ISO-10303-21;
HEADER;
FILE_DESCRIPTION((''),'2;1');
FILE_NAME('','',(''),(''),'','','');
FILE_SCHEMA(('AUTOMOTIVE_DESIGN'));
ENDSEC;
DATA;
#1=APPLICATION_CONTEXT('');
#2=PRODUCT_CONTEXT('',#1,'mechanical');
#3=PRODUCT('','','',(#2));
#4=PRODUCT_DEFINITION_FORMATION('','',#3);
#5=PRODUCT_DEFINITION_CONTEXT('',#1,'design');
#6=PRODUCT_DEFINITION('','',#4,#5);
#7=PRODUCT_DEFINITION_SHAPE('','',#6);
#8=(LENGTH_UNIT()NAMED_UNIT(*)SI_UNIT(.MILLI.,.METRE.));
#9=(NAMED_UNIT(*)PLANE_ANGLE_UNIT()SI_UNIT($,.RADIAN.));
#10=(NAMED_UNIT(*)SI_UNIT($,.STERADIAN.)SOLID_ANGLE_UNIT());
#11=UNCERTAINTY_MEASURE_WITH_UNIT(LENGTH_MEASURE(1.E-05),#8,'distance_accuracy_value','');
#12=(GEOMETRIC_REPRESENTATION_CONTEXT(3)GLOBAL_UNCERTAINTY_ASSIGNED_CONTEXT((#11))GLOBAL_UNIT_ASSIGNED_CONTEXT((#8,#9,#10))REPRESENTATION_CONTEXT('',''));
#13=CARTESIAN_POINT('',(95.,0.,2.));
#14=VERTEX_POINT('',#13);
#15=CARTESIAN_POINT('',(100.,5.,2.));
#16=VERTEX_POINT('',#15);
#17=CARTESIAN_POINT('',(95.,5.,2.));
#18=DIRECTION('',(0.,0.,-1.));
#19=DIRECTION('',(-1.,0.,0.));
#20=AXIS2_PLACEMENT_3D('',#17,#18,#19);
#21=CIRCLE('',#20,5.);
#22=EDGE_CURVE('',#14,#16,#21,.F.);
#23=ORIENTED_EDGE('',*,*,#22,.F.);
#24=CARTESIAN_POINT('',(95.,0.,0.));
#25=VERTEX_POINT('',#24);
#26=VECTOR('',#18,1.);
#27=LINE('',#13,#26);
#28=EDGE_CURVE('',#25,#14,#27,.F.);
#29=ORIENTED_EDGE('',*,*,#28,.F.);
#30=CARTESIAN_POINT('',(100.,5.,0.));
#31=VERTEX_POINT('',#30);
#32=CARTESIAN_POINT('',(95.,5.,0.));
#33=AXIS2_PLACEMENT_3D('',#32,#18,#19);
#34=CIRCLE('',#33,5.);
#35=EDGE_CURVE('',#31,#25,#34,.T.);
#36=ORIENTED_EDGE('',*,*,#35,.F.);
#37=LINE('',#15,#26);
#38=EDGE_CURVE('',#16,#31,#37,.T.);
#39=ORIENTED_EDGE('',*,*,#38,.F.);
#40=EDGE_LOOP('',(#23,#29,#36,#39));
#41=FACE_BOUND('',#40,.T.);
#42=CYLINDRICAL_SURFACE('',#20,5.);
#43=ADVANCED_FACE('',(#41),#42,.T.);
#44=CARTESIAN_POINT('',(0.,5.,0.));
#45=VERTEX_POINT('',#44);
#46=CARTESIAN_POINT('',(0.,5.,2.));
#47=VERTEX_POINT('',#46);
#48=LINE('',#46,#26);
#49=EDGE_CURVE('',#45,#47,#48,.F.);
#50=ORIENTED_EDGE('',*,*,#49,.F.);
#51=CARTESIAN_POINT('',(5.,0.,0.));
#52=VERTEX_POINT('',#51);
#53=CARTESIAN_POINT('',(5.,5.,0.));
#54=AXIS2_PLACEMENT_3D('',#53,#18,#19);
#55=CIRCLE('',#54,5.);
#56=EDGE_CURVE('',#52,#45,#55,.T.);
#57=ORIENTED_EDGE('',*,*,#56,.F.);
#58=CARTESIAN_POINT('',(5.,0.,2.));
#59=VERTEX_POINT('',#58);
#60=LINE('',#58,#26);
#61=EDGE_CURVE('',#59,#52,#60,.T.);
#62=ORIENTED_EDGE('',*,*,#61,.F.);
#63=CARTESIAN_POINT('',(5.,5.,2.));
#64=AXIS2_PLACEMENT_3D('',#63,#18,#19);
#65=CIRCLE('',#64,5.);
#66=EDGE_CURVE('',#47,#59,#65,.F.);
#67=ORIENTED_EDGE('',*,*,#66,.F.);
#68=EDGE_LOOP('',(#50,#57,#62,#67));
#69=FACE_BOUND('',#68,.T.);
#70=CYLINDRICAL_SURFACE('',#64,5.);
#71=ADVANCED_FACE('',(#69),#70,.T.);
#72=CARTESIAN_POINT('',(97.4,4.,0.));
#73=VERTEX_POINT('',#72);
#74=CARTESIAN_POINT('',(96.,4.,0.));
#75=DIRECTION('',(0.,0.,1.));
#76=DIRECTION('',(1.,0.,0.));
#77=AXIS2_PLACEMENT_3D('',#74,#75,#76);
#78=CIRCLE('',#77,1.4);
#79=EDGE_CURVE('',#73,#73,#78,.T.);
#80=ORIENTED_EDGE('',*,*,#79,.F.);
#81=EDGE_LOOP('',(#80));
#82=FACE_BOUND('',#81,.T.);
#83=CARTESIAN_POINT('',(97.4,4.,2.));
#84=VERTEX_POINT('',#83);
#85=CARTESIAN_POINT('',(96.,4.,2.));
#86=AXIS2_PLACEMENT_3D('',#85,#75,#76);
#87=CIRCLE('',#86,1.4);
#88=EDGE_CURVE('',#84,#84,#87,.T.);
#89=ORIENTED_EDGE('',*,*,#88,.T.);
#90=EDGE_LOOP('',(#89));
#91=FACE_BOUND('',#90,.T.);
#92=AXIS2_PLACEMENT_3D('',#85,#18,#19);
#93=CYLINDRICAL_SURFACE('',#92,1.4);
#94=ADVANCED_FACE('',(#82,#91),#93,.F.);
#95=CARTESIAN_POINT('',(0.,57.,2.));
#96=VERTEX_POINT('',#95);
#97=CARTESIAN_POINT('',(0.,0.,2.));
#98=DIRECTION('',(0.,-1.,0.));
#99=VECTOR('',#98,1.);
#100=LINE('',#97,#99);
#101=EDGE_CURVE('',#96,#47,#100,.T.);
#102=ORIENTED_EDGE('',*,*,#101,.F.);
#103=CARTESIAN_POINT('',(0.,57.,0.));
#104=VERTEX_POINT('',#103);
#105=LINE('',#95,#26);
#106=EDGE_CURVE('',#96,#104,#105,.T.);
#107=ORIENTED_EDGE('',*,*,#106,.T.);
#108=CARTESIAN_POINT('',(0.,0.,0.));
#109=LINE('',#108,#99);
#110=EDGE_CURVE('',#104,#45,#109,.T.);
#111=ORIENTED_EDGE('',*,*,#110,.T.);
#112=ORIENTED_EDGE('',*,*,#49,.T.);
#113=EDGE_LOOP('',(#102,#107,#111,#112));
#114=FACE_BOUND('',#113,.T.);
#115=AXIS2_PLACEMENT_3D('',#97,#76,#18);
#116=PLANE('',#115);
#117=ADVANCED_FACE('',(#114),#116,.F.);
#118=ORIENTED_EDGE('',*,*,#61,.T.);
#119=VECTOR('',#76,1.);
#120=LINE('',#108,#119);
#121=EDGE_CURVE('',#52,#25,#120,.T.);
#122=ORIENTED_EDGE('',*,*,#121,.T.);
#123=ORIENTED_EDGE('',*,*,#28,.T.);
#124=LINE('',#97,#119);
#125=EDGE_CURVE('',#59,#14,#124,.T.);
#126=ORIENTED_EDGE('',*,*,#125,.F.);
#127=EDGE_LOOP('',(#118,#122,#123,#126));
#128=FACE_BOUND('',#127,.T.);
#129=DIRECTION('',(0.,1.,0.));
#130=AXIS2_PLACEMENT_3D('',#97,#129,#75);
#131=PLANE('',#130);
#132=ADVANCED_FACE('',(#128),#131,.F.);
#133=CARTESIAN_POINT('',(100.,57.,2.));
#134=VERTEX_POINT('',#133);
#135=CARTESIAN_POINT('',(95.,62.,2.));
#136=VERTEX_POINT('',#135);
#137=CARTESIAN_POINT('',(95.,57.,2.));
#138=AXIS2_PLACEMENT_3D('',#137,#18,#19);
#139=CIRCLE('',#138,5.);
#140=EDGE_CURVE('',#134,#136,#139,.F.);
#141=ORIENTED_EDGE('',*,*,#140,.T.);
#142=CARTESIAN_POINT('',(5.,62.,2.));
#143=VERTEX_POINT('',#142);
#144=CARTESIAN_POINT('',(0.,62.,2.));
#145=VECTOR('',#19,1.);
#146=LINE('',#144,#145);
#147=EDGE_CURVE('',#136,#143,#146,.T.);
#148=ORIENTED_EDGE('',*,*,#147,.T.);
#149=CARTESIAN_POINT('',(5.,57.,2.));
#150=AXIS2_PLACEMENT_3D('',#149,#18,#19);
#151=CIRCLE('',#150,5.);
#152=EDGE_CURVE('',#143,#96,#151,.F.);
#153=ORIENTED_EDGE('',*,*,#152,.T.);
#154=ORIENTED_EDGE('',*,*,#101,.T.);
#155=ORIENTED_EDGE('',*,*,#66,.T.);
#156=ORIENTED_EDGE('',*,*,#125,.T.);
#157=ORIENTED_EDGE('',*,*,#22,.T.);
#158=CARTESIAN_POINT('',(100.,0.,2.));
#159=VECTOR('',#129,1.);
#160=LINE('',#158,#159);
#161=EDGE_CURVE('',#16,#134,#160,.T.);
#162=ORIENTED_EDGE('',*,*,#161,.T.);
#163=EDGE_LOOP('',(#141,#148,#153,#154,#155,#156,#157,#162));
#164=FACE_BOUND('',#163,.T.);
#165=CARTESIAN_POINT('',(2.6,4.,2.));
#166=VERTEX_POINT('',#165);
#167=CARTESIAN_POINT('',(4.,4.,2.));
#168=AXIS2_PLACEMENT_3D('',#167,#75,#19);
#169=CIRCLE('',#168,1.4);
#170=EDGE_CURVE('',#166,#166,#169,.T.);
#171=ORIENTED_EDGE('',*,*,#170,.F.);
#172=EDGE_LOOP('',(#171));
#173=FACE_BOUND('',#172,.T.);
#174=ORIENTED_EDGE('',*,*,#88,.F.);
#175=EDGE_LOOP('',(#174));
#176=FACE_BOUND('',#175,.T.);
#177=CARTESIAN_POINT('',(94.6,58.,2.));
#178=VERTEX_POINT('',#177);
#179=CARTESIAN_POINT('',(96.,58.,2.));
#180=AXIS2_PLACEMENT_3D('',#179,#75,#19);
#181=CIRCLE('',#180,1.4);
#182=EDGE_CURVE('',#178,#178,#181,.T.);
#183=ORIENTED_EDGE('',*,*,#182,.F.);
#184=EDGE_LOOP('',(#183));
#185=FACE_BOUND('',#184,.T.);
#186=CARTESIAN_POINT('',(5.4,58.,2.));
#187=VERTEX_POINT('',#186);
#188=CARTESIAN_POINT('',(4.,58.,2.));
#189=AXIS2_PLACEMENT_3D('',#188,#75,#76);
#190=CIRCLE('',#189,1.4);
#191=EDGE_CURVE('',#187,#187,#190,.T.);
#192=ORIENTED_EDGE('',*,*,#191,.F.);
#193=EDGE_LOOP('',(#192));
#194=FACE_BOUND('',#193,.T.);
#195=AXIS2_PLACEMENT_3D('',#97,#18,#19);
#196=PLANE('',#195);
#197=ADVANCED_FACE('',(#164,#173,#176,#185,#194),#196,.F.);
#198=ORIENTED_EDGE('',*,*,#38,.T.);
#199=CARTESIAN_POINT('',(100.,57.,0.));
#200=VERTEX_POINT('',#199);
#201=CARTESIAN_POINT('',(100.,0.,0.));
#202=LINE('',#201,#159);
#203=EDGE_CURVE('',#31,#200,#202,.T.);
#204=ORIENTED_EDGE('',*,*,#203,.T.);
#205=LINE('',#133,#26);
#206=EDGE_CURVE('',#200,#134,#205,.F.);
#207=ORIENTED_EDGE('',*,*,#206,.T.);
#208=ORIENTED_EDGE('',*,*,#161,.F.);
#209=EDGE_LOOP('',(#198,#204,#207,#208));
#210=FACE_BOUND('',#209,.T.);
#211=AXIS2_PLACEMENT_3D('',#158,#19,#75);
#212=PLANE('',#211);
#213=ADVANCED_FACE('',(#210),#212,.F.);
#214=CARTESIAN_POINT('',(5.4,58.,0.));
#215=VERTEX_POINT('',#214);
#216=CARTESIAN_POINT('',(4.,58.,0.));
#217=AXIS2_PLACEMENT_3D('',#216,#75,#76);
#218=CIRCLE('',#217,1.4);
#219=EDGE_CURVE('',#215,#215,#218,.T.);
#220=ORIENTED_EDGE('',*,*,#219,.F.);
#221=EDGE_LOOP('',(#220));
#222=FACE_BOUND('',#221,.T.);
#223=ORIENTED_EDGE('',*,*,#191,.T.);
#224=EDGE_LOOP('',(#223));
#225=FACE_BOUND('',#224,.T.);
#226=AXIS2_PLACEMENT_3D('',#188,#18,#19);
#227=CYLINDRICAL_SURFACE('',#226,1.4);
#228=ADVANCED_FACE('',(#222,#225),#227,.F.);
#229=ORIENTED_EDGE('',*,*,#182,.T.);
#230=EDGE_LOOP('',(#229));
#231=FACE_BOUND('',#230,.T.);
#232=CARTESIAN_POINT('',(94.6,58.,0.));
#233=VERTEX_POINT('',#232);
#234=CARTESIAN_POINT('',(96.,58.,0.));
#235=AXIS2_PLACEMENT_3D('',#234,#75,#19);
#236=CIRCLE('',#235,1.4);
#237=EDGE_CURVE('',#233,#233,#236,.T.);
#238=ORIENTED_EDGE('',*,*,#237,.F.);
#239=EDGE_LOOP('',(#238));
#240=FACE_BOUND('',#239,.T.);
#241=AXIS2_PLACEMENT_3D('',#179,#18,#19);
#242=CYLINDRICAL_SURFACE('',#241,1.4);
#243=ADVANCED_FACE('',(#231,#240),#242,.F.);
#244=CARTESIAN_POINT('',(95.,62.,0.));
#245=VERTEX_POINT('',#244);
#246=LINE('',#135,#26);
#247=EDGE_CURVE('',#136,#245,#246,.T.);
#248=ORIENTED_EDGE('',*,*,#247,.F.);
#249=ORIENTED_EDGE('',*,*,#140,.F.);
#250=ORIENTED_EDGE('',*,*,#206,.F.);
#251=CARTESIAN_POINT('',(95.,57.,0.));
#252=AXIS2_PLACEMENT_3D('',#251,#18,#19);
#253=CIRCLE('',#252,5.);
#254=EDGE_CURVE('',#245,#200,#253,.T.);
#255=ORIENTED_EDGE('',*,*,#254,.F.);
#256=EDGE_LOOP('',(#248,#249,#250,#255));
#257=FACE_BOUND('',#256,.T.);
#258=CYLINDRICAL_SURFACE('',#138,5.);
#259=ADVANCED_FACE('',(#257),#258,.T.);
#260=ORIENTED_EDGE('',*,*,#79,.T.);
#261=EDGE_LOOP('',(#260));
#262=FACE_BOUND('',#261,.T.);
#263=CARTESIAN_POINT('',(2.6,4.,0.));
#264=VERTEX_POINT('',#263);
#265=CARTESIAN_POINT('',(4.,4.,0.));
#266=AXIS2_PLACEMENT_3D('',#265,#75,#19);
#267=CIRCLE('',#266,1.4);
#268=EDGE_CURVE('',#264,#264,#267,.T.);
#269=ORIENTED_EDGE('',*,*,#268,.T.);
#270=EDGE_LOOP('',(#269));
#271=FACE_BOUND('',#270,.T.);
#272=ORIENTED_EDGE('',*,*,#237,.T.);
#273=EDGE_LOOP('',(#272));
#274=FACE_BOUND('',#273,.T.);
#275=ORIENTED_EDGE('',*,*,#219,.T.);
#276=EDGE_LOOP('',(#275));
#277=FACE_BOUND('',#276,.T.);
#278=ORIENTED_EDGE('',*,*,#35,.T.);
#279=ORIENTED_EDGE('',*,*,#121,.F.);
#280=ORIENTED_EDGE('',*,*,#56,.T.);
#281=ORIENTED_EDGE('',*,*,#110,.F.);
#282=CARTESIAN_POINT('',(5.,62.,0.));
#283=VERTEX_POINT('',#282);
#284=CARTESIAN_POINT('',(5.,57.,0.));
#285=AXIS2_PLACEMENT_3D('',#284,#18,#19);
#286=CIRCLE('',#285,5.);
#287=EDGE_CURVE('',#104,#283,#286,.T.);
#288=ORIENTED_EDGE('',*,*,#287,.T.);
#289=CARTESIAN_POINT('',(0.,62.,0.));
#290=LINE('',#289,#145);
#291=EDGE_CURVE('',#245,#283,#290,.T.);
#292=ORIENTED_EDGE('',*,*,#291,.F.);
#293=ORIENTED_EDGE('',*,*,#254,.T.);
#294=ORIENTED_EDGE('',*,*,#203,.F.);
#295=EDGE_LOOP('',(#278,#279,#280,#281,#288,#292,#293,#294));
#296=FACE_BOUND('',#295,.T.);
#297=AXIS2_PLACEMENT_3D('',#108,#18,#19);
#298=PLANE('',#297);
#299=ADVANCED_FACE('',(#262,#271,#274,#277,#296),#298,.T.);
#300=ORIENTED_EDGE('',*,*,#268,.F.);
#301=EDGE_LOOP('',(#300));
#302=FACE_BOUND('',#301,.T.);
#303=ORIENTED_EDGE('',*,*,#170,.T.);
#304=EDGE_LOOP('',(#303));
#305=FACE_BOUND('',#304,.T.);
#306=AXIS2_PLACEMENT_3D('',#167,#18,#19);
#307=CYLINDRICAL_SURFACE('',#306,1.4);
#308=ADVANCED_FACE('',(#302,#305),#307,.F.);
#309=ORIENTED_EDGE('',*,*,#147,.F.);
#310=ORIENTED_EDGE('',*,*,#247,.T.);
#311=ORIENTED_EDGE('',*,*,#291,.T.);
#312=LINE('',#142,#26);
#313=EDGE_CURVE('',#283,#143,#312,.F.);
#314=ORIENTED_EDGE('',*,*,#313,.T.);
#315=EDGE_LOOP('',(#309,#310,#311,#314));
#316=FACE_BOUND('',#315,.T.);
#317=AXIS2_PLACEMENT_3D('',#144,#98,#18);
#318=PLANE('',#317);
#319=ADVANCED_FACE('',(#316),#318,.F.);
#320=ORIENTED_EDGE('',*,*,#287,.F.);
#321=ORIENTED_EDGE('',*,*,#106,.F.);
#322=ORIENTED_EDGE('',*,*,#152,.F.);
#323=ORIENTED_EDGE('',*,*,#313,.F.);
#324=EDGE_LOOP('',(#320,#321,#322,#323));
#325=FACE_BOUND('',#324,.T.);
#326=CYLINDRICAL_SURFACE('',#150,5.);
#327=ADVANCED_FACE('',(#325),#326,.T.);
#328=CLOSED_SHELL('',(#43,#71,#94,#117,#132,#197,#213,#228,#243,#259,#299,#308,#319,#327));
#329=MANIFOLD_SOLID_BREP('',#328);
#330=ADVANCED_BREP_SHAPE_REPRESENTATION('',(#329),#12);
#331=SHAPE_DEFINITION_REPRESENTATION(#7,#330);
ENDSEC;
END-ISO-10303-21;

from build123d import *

# Parameters (mm, degrees)
SKETCH_1_W      = 100
SKETCH_1_H      = 62
SKETCH_1_R      = 1.4
EXTRUDE_1_DEPTH = 2
FILLET_1_R      = 5


with BuildPart() as part:
    # 草图1 → 凸台-拉伸1 (new body)
    with BuildSketch(Plane.XY):
        with Locations((50, 31)):
            Rectangle(SKETCH_1_W, SKETCH_1_H)
        with Locations((4, 58)):
            Circle(SKETCH_1_R, mode=Mode.SUBTRACT)
        with Locations(Location((4, 4, 0), (0, 0, 180))):
            Circle(SKETCH_1_R, mode=Mode.SUBTRACT)
        with Locations((96, 4)):
            Circle(SKETCH_1_R, mode=Mode.SUBTRACT)
        with Locations(Location((96, 58, 0), (0, 0, 180))):
            Circle(SKETCH_1_R, mode=Mode.SUBTRACT)
    extrude(amount=EXTRUDE_1_DEPTH)

    # 圆角1
    fillet_1_edges = [part.edges().sort_by_distance(p)[0] for p in [
        (0, 62, 1),
        (100, 62, 1),
        (100, 0, 1),
        (0, 0, 1),
    ]]
    fillet(fillet_1_edges, radius=FILLET_1_R)


solid = part.part
